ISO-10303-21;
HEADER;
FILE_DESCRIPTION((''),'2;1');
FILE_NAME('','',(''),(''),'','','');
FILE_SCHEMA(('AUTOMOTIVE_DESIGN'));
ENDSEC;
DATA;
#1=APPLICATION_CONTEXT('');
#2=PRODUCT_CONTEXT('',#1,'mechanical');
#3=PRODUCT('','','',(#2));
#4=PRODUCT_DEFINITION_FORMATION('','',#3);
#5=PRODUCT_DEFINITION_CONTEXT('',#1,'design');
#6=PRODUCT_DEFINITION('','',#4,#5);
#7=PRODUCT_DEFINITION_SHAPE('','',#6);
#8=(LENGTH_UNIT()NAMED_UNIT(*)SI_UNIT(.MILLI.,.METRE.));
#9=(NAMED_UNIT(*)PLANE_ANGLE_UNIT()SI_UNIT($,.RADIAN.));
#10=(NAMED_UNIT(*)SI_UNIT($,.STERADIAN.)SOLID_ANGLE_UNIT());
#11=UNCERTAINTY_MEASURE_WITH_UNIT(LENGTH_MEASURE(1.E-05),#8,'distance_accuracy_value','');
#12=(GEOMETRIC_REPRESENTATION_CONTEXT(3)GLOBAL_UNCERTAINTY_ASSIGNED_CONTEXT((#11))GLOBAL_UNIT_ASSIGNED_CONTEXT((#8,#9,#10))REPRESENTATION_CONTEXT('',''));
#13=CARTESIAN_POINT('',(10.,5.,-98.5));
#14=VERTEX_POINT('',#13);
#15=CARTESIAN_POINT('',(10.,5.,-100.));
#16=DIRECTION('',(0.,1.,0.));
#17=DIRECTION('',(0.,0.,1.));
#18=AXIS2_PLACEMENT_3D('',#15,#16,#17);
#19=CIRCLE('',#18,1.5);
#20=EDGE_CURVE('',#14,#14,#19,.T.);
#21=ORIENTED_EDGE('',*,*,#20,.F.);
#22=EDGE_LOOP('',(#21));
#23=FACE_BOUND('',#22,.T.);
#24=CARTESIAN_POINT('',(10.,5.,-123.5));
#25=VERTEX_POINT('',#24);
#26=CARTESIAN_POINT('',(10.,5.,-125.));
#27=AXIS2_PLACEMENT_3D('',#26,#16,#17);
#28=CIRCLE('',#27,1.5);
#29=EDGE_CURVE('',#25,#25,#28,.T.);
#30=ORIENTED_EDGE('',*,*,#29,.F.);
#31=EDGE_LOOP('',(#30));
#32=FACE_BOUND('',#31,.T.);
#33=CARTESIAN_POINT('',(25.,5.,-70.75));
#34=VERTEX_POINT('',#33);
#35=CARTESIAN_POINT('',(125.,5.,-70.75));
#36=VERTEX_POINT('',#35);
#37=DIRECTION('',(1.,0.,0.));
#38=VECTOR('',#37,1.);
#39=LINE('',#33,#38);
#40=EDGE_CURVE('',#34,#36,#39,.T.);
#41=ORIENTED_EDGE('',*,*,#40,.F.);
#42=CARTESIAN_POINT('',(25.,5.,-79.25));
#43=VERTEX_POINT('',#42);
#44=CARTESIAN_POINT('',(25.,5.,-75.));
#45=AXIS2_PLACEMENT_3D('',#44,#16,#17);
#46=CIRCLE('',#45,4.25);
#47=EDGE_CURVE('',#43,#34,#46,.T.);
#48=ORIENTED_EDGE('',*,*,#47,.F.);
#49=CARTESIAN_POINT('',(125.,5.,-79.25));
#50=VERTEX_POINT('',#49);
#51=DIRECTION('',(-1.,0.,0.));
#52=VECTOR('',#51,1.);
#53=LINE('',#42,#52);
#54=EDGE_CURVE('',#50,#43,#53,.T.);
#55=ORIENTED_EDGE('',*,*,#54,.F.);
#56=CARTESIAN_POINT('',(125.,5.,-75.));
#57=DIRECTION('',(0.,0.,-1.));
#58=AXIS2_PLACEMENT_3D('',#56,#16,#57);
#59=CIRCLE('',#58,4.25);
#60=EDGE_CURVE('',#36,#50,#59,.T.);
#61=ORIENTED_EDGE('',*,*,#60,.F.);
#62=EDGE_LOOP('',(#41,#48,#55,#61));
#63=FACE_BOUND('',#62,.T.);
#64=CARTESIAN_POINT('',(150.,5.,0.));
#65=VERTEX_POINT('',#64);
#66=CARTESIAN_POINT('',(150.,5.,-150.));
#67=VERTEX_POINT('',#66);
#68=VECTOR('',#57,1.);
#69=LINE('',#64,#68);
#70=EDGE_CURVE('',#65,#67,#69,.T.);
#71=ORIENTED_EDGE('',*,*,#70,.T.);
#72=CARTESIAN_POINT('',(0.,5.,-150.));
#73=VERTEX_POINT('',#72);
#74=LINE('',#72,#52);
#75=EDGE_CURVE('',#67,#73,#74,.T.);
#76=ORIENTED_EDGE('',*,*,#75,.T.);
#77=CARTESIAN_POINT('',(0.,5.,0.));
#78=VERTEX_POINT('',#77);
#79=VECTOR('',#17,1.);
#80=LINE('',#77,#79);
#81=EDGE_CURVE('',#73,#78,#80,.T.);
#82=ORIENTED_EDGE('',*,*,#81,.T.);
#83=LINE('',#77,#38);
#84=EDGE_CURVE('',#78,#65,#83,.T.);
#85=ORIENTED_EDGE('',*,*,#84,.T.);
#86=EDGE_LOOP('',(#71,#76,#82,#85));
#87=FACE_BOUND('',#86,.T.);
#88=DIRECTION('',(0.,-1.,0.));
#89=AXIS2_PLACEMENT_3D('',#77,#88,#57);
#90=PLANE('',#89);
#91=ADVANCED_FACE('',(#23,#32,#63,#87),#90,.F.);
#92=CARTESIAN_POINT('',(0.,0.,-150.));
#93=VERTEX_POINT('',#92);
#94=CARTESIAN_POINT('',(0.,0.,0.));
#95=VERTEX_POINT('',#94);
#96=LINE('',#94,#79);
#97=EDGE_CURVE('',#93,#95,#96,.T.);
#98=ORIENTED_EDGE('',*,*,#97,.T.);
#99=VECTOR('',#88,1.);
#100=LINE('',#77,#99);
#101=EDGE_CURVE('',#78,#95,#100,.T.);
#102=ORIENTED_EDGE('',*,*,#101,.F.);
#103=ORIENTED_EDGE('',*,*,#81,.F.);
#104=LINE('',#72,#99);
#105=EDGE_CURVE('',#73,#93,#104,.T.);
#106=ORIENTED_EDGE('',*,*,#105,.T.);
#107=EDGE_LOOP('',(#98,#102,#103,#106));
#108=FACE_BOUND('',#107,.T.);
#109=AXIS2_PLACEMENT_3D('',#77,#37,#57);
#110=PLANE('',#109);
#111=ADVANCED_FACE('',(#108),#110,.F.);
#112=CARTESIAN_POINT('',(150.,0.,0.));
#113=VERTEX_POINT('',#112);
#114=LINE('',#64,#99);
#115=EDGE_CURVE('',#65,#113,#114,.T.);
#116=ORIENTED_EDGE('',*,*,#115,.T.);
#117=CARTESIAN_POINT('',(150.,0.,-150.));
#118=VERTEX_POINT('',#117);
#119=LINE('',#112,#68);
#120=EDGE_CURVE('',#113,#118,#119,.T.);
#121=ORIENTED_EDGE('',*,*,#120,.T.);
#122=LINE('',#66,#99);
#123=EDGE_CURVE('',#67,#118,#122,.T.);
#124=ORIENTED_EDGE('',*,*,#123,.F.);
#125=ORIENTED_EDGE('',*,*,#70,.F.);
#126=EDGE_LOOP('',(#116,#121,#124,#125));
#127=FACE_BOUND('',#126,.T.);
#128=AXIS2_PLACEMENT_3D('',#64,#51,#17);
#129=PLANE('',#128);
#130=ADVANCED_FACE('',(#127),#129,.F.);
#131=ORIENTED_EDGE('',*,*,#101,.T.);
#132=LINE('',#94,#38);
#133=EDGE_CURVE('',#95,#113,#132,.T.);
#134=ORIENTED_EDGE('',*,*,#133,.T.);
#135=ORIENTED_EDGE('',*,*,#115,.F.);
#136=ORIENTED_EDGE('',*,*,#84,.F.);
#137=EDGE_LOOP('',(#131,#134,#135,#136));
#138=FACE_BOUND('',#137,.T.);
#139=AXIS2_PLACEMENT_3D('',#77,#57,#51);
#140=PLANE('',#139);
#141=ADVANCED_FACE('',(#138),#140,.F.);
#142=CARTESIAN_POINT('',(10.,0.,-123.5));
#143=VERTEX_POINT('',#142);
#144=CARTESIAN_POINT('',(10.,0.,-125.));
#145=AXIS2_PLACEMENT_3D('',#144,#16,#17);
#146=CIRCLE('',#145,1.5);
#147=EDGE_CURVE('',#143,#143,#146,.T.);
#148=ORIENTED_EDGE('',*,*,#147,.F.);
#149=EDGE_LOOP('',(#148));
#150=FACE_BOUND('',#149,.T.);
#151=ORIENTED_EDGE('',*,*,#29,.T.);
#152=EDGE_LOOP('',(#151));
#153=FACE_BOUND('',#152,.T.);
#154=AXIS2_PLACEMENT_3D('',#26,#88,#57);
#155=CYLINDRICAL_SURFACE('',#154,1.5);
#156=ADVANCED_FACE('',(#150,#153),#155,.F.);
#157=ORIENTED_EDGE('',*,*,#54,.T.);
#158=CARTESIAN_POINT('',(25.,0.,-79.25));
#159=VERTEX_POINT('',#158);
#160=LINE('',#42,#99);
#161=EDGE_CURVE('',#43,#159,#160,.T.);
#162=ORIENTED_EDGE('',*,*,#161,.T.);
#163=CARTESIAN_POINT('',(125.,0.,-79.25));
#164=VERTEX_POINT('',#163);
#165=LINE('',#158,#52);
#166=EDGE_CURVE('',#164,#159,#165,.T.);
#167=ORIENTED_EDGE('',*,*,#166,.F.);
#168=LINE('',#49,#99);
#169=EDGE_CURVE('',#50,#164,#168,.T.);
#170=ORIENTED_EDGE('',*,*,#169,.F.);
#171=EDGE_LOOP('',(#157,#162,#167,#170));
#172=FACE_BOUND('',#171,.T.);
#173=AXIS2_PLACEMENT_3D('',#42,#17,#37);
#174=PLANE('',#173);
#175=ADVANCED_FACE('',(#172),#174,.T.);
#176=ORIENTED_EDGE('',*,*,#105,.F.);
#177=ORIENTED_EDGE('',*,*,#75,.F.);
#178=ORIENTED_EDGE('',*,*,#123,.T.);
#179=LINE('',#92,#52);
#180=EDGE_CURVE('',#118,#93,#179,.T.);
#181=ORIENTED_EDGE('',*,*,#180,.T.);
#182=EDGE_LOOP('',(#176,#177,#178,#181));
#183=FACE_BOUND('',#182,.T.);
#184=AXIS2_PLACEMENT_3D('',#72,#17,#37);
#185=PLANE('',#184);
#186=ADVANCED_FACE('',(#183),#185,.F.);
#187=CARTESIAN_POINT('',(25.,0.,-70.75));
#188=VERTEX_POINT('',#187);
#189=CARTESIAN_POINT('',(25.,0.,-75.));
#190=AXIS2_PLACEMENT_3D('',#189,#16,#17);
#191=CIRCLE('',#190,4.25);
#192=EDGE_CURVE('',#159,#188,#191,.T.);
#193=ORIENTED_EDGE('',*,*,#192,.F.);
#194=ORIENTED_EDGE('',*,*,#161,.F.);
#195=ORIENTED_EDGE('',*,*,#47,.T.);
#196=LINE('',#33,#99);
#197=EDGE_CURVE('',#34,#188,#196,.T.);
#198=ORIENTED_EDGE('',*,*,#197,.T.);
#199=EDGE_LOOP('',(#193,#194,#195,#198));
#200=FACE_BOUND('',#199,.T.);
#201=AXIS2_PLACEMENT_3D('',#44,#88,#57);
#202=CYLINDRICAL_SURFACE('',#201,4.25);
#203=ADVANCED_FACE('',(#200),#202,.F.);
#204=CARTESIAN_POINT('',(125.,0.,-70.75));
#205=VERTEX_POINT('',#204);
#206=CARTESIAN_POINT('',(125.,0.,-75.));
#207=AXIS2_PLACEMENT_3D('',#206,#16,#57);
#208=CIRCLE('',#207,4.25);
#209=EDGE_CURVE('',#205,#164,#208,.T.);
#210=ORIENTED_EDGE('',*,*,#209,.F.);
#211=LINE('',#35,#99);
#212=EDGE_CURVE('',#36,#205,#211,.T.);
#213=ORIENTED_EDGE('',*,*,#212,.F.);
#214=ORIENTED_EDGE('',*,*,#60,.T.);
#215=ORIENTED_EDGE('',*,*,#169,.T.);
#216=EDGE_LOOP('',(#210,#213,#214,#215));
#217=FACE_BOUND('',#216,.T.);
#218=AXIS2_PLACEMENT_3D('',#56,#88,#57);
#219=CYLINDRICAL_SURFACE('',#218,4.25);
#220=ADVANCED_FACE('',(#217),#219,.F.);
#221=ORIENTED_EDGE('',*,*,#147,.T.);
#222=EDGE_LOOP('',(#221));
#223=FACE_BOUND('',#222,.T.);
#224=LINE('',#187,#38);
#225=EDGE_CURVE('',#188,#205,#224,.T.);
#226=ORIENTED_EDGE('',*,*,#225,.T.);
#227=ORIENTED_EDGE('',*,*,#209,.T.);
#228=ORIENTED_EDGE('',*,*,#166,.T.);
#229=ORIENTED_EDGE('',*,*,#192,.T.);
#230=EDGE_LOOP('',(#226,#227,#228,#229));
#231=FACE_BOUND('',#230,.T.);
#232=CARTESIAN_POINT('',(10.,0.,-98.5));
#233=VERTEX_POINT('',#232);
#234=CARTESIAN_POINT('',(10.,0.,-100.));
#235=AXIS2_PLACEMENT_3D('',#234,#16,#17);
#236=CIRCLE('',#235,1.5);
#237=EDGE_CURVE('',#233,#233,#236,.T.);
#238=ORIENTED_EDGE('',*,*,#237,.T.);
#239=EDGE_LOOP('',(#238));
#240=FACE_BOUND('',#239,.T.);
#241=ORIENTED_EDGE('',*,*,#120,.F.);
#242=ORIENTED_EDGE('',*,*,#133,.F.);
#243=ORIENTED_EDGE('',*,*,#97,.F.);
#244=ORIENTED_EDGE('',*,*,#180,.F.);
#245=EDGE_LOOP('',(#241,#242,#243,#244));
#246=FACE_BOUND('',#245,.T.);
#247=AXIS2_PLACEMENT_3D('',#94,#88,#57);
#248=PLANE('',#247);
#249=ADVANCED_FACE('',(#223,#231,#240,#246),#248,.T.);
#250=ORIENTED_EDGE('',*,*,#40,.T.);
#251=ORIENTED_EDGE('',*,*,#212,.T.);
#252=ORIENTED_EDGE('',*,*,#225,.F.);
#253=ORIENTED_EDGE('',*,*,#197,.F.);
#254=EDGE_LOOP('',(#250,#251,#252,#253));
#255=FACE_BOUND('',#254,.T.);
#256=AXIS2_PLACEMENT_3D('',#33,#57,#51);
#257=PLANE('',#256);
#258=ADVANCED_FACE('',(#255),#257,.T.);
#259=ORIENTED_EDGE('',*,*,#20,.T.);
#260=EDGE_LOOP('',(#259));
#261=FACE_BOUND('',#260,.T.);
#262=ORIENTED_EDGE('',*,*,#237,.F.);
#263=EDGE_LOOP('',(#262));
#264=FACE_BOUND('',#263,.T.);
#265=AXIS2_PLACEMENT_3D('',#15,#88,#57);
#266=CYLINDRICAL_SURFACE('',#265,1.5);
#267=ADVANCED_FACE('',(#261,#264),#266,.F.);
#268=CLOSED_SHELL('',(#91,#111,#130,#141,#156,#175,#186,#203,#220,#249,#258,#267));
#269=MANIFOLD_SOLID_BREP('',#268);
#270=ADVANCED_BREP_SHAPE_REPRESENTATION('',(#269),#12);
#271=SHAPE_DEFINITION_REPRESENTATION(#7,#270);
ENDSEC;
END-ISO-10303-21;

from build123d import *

# Parameters (mm, degrees)
SKETCH1_W           = 150
SKETCH1_H           = 150
SKETCH1_R           = 1.5
BOSS_EXTRUDE1_DEPTH = 5


with BuildPart() as part:
    # Sketch1 → Boss-Extrude1 (new body)
    with BuildSketch(Plane(origin=(0, 0, 0), x_dir=(1, 0, 0), z_dir=(0, 1, 0))):
        with Locations((75, 75)):
            Rectangle(SKETCH1_W, SKETCH1_H)
        with Locations((10, 125)):
            Circle(SKETCH1_R, mode=Mode.SUBTRACT)
        with Locations((10, 100)):
            Circle(SKETCH1_R, mode=Mode.SUBTRACT)
        with BuildLine():
            Line((25, 79.25), (125, 79.25))
            ThreePointArc((125, 79.25), (129.25, 75), (125, 70.75))
            Line((125, 70.75), (25, 70.75))
            ThreePointArc((25, 70.75), (20.75, 75), (25, 79.25))
        make_face(mode=Mode.SUBTRACT)
    extrude(amount=BOSS_EXTRUDE1_DEPTH)


solid = part.part
